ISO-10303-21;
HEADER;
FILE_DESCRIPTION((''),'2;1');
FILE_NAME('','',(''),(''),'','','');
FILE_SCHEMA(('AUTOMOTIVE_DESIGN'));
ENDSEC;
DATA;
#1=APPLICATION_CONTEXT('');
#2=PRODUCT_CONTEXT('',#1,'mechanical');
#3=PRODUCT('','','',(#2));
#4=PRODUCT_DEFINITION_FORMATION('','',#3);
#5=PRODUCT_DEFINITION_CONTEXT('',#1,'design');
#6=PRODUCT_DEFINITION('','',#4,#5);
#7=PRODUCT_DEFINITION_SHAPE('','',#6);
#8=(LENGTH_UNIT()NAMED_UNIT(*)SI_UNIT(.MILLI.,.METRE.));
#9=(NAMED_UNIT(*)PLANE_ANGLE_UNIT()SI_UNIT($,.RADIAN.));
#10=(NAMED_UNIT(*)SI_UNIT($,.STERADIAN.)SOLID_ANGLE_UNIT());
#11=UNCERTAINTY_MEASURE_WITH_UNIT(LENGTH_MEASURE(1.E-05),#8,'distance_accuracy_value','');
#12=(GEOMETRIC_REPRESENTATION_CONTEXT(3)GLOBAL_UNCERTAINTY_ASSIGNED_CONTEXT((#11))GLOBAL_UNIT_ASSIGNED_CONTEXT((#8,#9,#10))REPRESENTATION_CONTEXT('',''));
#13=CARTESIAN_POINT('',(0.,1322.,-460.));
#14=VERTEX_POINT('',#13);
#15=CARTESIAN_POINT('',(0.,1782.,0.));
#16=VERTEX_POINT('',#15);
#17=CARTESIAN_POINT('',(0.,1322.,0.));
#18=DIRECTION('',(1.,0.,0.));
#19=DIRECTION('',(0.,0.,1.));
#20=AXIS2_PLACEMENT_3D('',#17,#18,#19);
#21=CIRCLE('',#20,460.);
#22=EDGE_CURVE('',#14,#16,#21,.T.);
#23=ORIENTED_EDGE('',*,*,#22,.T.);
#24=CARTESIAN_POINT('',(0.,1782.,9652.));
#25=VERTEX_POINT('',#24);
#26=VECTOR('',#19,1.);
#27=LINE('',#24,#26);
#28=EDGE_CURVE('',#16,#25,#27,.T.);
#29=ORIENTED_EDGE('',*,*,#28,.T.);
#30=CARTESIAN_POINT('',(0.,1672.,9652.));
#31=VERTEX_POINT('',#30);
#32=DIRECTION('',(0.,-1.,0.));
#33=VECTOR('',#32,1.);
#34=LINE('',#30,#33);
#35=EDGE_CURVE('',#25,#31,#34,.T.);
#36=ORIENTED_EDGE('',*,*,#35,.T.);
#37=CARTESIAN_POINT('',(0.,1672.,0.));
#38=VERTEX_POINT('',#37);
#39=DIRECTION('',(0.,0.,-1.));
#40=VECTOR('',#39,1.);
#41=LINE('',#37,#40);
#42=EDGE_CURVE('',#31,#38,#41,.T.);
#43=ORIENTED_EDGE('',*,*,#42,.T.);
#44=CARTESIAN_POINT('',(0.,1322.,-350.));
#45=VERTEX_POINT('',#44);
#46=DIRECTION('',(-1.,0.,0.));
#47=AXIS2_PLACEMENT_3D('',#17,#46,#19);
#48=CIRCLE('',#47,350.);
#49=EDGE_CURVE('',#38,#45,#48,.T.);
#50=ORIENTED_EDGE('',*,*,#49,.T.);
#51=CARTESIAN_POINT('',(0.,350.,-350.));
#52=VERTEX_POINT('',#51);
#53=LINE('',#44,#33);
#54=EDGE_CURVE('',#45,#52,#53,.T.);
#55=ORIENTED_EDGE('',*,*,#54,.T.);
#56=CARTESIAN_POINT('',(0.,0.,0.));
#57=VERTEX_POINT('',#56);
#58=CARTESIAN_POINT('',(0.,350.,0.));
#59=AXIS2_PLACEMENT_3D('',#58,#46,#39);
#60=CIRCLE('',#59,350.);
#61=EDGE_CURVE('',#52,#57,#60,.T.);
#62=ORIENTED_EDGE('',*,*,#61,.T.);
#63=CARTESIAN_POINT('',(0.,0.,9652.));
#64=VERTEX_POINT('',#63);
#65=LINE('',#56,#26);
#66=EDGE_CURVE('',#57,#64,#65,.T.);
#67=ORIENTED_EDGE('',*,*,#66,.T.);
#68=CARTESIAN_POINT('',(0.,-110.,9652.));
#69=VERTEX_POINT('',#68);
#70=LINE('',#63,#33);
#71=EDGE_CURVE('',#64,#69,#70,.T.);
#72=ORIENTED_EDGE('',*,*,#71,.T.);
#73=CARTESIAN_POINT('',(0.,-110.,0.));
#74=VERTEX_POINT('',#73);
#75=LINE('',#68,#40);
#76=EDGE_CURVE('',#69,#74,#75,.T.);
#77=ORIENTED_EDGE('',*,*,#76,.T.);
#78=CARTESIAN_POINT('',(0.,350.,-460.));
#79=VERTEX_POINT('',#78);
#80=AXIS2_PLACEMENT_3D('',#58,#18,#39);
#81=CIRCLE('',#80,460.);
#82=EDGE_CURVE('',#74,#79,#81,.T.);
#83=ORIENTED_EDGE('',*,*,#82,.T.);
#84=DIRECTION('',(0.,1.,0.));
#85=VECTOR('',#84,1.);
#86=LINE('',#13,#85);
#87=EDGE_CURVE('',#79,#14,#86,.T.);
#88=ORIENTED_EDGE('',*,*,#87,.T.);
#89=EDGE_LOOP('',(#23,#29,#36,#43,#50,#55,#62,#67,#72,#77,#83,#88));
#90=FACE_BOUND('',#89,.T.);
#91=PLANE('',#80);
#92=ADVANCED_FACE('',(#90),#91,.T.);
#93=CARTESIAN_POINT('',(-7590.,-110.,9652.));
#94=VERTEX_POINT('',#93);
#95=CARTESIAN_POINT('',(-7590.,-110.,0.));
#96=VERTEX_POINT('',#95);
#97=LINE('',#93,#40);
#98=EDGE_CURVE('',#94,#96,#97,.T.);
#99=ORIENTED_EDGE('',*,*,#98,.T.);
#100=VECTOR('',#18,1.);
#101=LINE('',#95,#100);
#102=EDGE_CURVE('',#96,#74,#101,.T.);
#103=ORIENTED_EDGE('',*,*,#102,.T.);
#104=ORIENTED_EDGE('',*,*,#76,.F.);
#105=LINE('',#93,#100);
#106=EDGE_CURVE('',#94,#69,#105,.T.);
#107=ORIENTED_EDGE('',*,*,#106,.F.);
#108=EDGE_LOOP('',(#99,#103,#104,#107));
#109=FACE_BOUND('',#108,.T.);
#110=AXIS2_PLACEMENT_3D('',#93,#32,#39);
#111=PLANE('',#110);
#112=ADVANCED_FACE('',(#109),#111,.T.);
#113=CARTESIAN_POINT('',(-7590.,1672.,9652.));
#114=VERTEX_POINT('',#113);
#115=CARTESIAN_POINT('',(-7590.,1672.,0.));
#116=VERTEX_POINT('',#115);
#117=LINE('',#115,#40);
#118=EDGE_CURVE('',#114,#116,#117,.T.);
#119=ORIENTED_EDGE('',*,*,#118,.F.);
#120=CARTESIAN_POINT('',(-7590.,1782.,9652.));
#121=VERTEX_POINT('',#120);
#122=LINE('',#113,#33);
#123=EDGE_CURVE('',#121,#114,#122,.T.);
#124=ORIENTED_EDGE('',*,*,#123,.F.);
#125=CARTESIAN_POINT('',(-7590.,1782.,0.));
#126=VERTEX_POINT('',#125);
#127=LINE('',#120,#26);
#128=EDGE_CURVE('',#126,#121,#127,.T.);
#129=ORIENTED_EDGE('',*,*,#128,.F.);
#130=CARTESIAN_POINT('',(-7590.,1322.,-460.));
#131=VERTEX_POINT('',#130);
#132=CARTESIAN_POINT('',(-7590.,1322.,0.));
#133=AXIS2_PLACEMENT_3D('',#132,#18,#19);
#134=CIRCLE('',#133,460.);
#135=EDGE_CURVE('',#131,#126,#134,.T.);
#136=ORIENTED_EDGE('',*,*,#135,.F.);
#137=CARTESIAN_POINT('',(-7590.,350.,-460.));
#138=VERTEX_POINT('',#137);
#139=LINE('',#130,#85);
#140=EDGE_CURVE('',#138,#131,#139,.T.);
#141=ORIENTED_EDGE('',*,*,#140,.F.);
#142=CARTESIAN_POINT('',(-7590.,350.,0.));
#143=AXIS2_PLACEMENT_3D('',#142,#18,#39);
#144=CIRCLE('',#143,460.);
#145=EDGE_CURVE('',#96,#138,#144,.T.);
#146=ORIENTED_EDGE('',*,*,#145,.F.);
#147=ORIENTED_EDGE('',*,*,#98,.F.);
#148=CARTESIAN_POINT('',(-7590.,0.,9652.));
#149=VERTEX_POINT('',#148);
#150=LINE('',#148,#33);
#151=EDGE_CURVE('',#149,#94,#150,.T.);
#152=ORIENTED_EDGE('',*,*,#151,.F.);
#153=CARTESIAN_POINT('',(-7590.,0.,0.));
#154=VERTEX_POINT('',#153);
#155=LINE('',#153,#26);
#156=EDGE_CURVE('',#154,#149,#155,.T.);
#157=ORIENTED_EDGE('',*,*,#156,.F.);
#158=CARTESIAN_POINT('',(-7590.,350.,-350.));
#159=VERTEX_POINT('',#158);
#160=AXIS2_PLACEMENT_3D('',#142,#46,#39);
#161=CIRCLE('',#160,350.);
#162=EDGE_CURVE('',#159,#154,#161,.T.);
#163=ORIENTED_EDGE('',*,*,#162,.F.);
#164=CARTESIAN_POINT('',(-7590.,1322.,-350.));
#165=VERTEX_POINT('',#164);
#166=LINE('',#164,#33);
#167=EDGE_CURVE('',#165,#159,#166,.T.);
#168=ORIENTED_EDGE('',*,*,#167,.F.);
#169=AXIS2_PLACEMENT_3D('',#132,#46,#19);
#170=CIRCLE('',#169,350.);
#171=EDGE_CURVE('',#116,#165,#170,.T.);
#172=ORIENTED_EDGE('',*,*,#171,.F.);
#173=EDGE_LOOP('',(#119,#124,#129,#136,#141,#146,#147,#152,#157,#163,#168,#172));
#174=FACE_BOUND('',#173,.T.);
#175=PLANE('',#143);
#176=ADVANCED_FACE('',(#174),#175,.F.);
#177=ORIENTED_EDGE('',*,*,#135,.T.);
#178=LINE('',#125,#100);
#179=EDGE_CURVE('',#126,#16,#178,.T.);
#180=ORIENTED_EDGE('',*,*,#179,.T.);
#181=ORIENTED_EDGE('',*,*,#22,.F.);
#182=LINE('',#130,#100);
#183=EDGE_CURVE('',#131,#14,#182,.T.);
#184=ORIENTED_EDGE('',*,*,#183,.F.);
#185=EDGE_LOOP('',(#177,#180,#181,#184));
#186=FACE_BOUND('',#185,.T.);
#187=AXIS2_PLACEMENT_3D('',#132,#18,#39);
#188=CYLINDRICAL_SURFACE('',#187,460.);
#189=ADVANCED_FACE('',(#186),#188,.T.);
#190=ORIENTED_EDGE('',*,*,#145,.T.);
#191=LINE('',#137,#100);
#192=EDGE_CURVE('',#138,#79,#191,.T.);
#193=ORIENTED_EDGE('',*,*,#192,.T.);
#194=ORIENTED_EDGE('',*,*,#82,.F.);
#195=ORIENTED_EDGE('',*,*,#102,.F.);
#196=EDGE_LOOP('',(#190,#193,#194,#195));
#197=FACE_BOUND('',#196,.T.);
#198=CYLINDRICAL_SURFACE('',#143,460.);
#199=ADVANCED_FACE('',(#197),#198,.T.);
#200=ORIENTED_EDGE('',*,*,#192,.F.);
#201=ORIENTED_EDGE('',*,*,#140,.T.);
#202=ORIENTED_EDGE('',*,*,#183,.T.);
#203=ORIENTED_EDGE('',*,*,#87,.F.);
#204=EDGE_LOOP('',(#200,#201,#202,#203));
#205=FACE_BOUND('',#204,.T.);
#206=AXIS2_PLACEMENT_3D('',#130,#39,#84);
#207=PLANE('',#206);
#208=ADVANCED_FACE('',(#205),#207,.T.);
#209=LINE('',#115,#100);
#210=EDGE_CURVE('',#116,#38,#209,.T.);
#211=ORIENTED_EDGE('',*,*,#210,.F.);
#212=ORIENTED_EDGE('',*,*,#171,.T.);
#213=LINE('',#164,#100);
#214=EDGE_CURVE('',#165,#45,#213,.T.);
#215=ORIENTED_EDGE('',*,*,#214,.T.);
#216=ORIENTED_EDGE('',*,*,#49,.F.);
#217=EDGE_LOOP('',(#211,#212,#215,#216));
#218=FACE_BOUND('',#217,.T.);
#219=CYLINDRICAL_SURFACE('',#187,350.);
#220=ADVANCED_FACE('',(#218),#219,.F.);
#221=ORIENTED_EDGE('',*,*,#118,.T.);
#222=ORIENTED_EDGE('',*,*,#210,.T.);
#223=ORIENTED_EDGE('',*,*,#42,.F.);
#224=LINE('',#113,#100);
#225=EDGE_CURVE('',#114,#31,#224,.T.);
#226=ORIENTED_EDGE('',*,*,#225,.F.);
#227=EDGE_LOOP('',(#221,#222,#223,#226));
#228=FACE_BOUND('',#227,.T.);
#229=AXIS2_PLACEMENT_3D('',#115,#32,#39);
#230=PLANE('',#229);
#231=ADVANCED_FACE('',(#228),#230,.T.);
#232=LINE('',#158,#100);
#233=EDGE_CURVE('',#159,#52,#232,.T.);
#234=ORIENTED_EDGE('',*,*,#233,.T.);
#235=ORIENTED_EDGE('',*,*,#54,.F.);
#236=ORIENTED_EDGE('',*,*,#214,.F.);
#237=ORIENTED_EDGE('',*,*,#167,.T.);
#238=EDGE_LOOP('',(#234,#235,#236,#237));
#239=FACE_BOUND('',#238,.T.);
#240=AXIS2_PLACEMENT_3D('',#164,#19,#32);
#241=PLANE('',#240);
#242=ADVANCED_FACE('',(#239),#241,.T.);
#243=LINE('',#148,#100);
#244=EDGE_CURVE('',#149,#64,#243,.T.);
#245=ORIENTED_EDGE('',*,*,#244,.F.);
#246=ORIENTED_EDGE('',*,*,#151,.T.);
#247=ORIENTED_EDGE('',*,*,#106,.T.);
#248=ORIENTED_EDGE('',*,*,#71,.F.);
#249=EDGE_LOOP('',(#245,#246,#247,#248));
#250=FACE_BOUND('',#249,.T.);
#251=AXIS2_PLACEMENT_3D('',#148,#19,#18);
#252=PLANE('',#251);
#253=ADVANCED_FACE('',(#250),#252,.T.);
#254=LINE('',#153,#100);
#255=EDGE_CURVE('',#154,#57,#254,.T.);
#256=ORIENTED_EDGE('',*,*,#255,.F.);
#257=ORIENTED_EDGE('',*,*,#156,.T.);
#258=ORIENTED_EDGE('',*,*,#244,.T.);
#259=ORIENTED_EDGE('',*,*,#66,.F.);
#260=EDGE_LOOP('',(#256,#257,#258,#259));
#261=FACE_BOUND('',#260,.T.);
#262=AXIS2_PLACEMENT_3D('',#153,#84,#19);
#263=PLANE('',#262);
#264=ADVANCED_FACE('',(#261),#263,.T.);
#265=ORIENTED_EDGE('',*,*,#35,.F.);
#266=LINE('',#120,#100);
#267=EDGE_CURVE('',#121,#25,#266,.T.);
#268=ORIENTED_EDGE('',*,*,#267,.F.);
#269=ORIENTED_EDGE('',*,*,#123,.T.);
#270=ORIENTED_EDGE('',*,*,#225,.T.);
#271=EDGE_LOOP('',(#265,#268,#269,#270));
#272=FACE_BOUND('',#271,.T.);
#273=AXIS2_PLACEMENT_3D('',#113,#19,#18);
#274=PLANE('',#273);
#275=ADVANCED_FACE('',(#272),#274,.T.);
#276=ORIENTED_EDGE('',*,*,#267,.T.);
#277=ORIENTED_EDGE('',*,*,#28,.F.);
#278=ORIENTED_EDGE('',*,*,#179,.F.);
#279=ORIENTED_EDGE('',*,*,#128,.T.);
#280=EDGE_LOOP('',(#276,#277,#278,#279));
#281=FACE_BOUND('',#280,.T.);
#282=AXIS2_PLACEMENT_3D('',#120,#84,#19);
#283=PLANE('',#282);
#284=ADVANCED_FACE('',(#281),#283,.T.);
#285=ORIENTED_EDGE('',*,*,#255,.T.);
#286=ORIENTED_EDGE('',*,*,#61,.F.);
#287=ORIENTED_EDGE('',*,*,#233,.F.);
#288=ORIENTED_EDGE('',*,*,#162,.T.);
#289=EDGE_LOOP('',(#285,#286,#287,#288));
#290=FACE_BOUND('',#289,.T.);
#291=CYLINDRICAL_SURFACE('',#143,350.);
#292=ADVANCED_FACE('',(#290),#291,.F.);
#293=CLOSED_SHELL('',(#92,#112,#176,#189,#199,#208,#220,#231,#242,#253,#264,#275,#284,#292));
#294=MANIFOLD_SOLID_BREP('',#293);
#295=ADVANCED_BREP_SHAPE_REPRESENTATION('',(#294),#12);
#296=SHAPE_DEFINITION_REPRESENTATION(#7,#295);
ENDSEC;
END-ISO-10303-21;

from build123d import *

# Parameters (mm, degrees)
BOSS_EXTRUDE1_DEPTH = 7590


with BuildPart() as part:
    # Sketch1 → Boss-Extrude1 (new body)
    with BuildSketch(Plane(origin=(0, 0, 0), x_dir=(0, 0, -1), z_dir=(1, 0, 0))):
        with BuildLine():
            Line((0, 0), (-9652, 0))
            Line((-9652, 0), (-9652, -110))
            Line((-9652, -110), (0, -110))
            ThreePointArc((0, -110), (325.269119346, 24.730880654), (460, 350))
            Line((460, 350), (460, 1322))
            ThreePointArc((460, 1322), (325.269119346, 1647.269119346), (0, 1782))
            Line((0, 1782), (-9652, 1782))
            Line((-9652, 1782), (-9652, 1672))
            Line((-9652, 1672), (0, 1672))
            ThreePointArc((0, 1672), (247.487373415, 1569.487373415), (350, 1322))
            Line((350, 1322), (350, 350))
            ThreePointArc((350, 350), (247.487373415, 102.512626585), (0, 0))
        make_face()
    extrude(amount=-BOSS_EXTRUDE1_DEPTH)


solid = part.part
